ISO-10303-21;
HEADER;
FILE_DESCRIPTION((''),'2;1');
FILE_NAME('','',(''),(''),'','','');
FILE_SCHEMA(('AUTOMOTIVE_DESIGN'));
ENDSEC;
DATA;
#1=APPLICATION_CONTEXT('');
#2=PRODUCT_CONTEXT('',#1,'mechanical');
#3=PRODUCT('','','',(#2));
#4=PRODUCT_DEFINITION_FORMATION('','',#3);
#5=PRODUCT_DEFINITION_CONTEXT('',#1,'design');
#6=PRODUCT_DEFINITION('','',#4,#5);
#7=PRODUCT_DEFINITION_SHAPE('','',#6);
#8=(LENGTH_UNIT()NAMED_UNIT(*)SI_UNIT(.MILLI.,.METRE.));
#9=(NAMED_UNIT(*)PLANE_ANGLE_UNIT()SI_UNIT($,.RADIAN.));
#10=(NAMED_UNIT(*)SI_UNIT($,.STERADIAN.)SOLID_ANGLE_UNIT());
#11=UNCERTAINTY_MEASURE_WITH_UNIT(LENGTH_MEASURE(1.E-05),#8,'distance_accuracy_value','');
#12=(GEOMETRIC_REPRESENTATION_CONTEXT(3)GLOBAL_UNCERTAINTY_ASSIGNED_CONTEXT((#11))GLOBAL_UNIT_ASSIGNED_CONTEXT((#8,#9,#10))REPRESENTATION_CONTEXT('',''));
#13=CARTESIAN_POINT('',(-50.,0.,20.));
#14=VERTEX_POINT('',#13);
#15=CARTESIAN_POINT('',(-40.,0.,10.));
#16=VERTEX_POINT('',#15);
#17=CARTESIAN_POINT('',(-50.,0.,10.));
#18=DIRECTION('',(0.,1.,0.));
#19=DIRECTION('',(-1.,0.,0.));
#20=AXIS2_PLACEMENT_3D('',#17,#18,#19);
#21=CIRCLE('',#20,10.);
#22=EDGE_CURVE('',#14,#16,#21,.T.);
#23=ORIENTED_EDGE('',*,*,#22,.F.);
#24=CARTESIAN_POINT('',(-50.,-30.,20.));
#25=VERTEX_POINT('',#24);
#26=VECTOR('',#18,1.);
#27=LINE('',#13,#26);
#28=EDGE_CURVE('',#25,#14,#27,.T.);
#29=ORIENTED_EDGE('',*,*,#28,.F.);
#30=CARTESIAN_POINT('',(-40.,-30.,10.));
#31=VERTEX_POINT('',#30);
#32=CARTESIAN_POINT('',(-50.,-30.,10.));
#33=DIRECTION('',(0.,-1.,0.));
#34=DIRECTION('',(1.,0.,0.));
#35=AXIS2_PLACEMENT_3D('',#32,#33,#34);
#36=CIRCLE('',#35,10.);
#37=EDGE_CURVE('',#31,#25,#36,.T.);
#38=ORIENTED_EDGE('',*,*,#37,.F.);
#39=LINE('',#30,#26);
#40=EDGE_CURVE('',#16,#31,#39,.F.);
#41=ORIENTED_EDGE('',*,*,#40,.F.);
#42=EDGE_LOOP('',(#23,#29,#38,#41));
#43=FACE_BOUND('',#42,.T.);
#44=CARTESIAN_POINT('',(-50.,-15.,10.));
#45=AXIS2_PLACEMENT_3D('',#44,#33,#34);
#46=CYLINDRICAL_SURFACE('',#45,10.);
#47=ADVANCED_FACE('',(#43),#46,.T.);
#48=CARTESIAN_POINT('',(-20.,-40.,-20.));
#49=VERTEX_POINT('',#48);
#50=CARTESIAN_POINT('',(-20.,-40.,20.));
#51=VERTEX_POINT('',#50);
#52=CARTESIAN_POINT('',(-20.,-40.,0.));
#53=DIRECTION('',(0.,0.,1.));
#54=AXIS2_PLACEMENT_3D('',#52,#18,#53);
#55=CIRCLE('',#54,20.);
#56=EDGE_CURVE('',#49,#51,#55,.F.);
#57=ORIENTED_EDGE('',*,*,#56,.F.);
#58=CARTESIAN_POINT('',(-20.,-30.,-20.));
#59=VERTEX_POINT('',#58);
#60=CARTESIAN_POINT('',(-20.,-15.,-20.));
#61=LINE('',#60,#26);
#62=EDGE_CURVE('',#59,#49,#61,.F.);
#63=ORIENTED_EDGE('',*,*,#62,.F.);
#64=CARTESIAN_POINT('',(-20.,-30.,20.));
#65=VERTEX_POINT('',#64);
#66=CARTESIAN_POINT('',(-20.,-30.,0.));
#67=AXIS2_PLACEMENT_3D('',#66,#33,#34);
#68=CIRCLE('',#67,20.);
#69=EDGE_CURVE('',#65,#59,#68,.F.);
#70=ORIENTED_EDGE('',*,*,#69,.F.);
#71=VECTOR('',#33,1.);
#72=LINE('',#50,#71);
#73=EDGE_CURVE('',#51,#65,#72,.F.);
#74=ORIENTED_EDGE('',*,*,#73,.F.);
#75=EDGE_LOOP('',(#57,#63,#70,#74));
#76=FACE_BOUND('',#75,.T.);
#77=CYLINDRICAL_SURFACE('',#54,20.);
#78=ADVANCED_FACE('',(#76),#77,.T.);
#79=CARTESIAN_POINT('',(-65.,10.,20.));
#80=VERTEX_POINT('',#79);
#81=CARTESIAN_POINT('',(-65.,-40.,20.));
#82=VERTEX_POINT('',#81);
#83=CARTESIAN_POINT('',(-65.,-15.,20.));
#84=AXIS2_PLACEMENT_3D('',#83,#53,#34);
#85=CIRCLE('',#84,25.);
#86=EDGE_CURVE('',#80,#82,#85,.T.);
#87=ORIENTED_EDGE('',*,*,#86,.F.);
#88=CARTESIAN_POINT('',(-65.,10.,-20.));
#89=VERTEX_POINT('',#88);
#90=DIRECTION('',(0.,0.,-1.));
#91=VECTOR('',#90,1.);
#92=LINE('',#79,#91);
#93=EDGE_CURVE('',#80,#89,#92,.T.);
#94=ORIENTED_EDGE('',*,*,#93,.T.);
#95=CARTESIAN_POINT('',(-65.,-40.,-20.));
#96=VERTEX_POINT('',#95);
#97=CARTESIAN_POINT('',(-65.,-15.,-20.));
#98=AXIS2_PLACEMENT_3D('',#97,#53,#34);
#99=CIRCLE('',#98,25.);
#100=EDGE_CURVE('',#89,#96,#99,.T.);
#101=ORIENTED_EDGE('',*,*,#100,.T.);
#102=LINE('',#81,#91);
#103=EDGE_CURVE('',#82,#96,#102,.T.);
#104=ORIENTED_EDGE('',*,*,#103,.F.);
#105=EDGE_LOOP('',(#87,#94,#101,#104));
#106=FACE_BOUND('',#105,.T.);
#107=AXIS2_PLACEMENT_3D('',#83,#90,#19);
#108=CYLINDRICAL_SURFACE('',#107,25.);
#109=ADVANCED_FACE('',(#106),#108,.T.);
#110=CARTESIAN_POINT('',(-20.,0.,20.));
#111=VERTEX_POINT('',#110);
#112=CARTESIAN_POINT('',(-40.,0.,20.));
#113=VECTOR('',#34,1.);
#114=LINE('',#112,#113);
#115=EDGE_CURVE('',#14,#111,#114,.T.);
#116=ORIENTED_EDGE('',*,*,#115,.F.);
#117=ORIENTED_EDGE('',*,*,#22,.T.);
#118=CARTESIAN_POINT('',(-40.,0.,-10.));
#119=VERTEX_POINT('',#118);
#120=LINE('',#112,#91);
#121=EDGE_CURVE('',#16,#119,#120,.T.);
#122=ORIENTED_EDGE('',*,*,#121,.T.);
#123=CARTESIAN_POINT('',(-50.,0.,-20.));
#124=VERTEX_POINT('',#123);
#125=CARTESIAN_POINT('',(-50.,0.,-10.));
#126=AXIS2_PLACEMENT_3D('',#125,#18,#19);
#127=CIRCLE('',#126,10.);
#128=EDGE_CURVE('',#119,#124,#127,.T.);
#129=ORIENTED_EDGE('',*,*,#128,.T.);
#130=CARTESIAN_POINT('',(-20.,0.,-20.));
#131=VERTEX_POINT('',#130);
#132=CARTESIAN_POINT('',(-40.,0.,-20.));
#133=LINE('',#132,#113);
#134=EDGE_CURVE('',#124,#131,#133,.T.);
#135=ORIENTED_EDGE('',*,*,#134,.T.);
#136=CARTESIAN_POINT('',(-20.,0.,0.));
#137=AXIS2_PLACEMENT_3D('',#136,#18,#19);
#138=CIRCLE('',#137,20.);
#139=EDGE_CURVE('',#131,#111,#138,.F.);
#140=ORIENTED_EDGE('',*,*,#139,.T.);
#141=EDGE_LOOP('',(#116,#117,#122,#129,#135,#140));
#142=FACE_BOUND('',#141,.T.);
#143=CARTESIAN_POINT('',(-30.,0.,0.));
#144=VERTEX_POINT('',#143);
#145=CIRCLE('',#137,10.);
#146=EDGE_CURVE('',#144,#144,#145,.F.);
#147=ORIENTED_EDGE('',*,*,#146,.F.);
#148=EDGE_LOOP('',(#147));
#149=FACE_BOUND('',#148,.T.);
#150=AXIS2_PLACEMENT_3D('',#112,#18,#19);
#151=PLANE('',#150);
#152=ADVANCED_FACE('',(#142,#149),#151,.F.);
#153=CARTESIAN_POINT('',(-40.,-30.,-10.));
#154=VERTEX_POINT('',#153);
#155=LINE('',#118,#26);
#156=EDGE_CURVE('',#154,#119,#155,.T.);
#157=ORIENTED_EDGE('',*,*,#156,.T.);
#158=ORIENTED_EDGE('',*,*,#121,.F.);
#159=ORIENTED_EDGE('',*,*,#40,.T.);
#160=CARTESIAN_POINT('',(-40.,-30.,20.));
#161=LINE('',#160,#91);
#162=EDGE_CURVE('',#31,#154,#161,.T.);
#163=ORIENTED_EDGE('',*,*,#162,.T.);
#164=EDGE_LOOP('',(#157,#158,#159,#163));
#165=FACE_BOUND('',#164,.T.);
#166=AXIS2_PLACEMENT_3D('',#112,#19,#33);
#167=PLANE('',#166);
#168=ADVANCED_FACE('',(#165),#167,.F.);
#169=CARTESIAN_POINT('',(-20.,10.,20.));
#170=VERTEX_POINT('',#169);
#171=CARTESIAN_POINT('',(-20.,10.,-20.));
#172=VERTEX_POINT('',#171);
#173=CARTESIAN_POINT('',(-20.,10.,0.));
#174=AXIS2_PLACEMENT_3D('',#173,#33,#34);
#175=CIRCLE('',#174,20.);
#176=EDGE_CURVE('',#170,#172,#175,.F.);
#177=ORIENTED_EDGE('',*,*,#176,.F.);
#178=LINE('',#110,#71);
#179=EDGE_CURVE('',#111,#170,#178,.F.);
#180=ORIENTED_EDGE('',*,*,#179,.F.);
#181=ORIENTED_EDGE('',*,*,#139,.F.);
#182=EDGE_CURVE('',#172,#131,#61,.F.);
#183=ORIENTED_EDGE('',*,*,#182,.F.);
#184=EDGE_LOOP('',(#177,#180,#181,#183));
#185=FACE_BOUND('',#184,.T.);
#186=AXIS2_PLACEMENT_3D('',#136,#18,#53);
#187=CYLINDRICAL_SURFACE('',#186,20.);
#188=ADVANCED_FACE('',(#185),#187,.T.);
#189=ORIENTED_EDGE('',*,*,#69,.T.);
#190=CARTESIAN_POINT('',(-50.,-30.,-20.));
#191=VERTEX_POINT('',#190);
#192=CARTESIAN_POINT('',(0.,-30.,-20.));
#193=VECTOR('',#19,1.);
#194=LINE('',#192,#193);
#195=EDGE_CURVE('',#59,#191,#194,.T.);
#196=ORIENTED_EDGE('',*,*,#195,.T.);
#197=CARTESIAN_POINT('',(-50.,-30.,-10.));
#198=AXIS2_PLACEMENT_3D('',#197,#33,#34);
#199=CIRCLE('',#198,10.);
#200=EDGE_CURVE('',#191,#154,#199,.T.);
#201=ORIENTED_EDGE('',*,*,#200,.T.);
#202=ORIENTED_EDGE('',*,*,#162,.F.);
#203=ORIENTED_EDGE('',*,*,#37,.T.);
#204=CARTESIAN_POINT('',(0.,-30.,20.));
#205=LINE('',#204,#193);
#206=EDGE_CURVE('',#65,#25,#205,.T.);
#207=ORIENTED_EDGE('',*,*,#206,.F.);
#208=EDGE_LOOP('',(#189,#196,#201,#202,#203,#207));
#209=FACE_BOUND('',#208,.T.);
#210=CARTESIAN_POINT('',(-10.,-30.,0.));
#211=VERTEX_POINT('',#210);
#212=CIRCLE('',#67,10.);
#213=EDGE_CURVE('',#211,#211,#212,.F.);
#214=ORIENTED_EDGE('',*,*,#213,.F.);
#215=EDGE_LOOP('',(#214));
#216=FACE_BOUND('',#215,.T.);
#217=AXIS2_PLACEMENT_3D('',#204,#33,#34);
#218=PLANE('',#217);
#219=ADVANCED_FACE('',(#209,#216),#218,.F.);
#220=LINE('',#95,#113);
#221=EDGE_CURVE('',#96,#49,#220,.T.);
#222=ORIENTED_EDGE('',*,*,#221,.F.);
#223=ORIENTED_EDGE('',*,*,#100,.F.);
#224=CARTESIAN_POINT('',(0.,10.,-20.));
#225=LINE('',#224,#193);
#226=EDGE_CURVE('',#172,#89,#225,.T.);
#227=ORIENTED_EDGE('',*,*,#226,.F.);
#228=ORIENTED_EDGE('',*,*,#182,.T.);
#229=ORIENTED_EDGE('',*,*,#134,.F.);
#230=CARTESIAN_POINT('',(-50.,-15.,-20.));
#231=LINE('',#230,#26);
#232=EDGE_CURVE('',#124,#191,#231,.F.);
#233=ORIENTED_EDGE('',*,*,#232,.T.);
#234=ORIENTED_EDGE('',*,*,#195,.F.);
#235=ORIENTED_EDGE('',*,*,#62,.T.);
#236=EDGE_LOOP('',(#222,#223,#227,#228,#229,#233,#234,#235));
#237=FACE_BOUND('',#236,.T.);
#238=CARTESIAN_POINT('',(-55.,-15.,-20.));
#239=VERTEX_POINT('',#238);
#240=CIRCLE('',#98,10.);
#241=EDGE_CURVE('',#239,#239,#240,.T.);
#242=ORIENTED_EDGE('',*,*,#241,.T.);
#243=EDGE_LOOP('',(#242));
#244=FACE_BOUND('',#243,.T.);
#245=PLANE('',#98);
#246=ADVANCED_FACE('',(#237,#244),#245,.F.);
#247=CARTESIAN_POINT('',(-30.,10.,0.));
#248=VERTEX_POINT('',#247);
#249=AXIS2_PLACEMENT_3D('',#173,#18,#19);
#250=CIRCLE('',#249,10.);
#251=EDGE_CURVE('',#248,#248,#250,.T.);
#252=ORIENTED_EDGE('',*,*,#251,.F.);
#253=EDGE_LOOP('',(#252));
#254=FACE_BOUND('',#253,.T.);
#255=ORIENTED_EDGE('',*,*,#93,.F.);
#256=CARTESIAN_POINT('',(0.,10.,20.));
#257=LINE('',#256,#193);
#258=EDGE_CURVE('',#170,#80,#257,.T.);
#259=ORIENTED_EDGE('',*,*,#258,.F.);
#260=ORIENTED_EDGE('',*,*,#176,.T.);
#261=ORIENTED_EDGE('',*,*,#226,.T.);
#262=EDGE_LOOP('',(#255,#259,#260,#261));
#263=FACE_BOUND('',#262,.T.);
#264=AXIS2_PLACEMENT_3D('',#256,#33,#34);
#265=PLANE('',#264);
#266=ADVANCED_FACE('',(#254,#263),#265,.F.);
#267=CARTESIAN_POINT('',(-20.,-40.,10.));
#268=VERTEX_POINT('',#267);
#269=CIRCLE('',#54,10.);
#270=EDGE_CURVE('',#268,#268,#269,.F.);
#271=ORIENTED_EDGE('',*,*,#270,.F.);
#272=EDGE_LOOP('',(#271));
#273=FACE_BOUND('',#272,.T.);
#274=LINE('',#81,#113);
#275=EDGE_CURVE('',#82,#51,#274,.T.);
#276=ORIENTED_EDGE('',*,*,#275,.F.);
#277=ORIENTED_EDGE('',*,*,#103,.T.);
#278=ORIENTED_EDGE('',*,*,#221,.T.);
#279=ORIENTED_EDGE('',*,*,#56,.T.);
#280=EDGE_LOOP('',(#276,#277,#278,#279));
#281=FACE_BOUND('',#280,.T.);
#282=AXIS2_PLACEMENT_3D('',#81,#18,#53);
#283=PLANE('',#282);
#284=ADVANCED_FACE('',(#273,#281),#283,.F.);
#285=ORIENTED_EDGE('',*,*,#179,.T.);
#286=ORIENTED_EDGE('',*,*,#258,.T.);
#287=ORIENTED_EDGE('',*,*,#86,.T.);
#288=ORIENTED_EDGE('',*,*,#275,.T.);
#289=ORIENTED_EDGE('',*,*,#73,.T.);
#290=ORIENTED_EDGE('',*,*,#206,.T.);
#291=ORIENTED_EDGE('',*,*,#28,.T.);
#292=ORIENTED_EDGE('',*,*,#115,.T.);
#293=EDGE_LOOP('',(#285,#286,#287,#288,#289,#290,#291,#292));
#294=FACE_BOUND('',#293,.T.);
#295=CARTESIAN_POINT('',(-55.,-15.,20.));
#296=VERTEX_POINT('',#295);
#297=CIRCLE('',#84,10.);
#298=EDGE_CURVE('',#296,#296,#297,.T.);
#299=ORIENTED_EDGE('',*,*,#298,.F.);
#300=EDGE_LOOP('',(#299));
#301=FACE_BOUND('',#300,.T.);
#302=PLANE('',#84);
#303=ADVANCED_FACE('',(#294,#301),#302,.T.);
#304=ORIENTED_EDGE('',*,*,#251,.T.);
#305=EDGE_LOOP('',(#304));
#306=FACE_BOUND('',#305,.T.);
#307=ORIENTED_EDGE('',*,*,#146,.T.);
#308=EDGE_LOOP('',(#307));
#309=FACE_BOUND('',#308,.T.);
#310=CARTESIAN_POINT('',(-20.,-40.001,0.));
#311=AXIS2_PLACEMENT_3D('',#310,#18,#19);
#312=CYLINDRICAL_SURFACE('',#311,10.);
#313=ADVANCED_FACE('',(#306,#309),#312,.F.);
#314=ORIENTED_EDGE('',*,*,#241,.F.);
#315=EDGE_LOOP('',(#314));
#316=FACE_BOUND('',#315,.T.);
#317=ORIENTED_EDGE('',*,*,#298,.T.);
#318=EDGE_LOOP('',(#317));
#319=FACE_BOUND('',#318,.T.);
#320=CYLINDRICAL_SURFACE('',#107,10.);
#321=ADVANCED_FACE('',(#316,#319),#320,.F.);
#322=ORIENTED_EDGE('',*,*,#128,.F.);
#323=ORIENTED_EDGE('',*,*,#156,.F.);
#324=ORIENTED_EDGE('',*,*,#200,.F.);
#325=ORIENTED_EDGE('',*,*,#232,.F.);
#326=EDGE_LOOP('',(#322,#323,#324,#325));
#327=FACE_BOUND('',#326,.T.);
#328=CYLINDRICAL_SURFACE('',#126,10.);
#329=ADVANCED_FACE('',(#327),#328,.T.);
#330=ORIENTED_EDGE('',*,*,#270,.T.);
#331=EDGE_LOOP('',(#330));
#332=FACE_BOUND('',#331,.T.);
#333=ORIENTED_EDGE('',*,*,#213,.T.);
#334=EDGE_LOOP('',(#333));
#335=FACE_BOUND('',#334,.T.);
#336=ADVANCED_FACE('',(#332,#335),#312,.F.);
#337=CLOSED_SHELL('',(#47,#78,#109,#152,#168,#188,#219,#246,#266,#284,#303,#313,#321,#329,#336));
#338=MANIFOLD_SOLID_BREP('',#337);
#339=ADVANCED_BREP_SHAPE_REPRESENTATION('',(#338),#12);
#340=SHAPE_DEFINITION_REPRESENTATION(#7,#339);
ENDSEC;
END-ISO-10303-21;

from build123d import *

# Parameters (mm, degrees)
SKETCH1_R           = 10
BOSS_EXTRUDE1_DEPTH = 20
FILLET1_R           = 10
CUT_EXTRUDE1_REACH  = 106.881
SKETCH2_R           = 10
CUT_EXTRUDE2_REACH  = 106.881
SKETCH2_2_R         = 10
FILLET2_RADIUS      = 20
FILLET2_LENGTH      = 10
FILLET3_RADIUS      = 20
FILLET3_LENGTH      = 10


with BuildPart() as part:
    # Sketch1 → Boss-Extrude1 (new, symmetric)
    with BuildSketch(Plane.XY):
        with BuildLine():
            Line((0, 0), (0, 10))
            Line((0, 10), (-65, 10))
            ThreePointArc((-65, 10), (-90, -15), (-65, -40))
            Line((-65, -40), (0, -40))
            Line((0, -40), (0, -30))
            Line((0, -30), (-40, -30))
            Line((-40, -30), (-40, 0))
            Line((-40, 0), (0, 0))
        make_face()
        with Locations((-65, -15)):
            Circle(SKETCH1_R, mode=Mode.SUBTRACT)
    extrude(amount=BOSS_EXTRUDE1_DEPTH, both=True)

    # Fillet1
    fillet1_edges = [part.edges().sort_by_distance(p)[0] for p in [
        (-40, -15, -20),
        (-40, -15, 20),
    ]]
    fillet(fillet1_edges, radius=FILLET1_R)

    # Sketch2 → Cut-Extrude1 (cut, up to next)
    with BuildSketch(Plane(origin=(0, 10, 0), x_dir=(1, 0, 0), z_dir=(0, 1, 0)), mode=Mode.PRIVATE) as cut_extrude1_sk1:
        with Locations(Location((-20, 0, 0), (0, 0, 180))):
            Circle(SKETCH2_R)
    cut_extrude1_tool1 = extrude(cut_extrude1_sk1.sketch, amount=-CUT_EXTRUDE1_REACH, mode=Mode.PRIVATE) & part.part
    add(cut_extrude1_tool1.solids().sort_by_distance((-20, 10, 0))[0], mode=Mode.SUBTRACT)

    # Sketch2<2> → Cut-Extrude2 (cut, up to next)
    with BuildSketch(Plane(origin=(0, 10, 0), x_dir=(1, 0, 0), z_dir=(0, 1, 0)), mode=Mode.PRIVATE) as cut_extrude2_sk1:
        with Locations(Location((-20, 0, 0), (0, 0, 180))):
            Circle(SKETCH2_2_R)
    cut_extrude2_tool1 = extrude(cut_extrude2_sk1.sketch, amount=-CUT_EXTRUDE2_REACH, mode=Mode.PRIVATE) & part.part
    add(cut_extrude2_tool1.solids().sort_by_distance((-20, 10, 0))[0], mode=Mode.SUBTRACT)

    # Fillet2: full round fillet: the end face becomes a half cylinder, R = half its width
    fillet2_face = Plane((0, -35, 0), x_dir=(0, -1, 0), z_dir=(1, 0, 0))  # on the end face: x along it, z out of the body
    fillet2_slab = fillet2_face.offset(-FILLET2_RADIUS / 2) * Box(FILLET2_LENGTH, 2 * FILLET2_RADIUS, FILLET2_RADIUS, mode=Mode.PRIVATE)  # the body's end, R deep
    fillet2_round = Plane((-20, -35, 0), x_dir=(1, 0, 0), z_dir=(0, -1, 0)) * Cylinder(FILLET2_RADIUS, FILLET2_LENGTH, mode=Mode.PRIVATE)  # its axis R under the face
    add(fillet2_slab - fillet2_round, mode=Mode.SUBTRACT)

    # Fillet3: full round fillet: the end face becomes a half cylinder, R = half its width
    fillet3_face = Plane((0, 5, 0), x_dir=(0, 1, 0), z_dir=(1, 0, 0))  # on the end face: x along it, z out of the body
    fillet3_slab = fillet3_face.offset(-FILLET3_RADIUS / 2) * Box(FILLET3_LENGTH, 2 * FILLET3_RADIUS, FILLET3_RADIUS, mode=Mode.PRIVATE)  # the body's end, R deep
    fillet3_round = Plane((-20, 5, 0), x_dir=(1, 0, 0), z_dir=(0, 1, 0)) * Cylinder(FILLET3_RADIUS, FILLET3_LENGTH, mode=Mode.PRIVATE)  # its axis R under the face
    add(fillet3_slab - fillet3_round, mode=Mode.SUBTRACT)


solid = part.part
